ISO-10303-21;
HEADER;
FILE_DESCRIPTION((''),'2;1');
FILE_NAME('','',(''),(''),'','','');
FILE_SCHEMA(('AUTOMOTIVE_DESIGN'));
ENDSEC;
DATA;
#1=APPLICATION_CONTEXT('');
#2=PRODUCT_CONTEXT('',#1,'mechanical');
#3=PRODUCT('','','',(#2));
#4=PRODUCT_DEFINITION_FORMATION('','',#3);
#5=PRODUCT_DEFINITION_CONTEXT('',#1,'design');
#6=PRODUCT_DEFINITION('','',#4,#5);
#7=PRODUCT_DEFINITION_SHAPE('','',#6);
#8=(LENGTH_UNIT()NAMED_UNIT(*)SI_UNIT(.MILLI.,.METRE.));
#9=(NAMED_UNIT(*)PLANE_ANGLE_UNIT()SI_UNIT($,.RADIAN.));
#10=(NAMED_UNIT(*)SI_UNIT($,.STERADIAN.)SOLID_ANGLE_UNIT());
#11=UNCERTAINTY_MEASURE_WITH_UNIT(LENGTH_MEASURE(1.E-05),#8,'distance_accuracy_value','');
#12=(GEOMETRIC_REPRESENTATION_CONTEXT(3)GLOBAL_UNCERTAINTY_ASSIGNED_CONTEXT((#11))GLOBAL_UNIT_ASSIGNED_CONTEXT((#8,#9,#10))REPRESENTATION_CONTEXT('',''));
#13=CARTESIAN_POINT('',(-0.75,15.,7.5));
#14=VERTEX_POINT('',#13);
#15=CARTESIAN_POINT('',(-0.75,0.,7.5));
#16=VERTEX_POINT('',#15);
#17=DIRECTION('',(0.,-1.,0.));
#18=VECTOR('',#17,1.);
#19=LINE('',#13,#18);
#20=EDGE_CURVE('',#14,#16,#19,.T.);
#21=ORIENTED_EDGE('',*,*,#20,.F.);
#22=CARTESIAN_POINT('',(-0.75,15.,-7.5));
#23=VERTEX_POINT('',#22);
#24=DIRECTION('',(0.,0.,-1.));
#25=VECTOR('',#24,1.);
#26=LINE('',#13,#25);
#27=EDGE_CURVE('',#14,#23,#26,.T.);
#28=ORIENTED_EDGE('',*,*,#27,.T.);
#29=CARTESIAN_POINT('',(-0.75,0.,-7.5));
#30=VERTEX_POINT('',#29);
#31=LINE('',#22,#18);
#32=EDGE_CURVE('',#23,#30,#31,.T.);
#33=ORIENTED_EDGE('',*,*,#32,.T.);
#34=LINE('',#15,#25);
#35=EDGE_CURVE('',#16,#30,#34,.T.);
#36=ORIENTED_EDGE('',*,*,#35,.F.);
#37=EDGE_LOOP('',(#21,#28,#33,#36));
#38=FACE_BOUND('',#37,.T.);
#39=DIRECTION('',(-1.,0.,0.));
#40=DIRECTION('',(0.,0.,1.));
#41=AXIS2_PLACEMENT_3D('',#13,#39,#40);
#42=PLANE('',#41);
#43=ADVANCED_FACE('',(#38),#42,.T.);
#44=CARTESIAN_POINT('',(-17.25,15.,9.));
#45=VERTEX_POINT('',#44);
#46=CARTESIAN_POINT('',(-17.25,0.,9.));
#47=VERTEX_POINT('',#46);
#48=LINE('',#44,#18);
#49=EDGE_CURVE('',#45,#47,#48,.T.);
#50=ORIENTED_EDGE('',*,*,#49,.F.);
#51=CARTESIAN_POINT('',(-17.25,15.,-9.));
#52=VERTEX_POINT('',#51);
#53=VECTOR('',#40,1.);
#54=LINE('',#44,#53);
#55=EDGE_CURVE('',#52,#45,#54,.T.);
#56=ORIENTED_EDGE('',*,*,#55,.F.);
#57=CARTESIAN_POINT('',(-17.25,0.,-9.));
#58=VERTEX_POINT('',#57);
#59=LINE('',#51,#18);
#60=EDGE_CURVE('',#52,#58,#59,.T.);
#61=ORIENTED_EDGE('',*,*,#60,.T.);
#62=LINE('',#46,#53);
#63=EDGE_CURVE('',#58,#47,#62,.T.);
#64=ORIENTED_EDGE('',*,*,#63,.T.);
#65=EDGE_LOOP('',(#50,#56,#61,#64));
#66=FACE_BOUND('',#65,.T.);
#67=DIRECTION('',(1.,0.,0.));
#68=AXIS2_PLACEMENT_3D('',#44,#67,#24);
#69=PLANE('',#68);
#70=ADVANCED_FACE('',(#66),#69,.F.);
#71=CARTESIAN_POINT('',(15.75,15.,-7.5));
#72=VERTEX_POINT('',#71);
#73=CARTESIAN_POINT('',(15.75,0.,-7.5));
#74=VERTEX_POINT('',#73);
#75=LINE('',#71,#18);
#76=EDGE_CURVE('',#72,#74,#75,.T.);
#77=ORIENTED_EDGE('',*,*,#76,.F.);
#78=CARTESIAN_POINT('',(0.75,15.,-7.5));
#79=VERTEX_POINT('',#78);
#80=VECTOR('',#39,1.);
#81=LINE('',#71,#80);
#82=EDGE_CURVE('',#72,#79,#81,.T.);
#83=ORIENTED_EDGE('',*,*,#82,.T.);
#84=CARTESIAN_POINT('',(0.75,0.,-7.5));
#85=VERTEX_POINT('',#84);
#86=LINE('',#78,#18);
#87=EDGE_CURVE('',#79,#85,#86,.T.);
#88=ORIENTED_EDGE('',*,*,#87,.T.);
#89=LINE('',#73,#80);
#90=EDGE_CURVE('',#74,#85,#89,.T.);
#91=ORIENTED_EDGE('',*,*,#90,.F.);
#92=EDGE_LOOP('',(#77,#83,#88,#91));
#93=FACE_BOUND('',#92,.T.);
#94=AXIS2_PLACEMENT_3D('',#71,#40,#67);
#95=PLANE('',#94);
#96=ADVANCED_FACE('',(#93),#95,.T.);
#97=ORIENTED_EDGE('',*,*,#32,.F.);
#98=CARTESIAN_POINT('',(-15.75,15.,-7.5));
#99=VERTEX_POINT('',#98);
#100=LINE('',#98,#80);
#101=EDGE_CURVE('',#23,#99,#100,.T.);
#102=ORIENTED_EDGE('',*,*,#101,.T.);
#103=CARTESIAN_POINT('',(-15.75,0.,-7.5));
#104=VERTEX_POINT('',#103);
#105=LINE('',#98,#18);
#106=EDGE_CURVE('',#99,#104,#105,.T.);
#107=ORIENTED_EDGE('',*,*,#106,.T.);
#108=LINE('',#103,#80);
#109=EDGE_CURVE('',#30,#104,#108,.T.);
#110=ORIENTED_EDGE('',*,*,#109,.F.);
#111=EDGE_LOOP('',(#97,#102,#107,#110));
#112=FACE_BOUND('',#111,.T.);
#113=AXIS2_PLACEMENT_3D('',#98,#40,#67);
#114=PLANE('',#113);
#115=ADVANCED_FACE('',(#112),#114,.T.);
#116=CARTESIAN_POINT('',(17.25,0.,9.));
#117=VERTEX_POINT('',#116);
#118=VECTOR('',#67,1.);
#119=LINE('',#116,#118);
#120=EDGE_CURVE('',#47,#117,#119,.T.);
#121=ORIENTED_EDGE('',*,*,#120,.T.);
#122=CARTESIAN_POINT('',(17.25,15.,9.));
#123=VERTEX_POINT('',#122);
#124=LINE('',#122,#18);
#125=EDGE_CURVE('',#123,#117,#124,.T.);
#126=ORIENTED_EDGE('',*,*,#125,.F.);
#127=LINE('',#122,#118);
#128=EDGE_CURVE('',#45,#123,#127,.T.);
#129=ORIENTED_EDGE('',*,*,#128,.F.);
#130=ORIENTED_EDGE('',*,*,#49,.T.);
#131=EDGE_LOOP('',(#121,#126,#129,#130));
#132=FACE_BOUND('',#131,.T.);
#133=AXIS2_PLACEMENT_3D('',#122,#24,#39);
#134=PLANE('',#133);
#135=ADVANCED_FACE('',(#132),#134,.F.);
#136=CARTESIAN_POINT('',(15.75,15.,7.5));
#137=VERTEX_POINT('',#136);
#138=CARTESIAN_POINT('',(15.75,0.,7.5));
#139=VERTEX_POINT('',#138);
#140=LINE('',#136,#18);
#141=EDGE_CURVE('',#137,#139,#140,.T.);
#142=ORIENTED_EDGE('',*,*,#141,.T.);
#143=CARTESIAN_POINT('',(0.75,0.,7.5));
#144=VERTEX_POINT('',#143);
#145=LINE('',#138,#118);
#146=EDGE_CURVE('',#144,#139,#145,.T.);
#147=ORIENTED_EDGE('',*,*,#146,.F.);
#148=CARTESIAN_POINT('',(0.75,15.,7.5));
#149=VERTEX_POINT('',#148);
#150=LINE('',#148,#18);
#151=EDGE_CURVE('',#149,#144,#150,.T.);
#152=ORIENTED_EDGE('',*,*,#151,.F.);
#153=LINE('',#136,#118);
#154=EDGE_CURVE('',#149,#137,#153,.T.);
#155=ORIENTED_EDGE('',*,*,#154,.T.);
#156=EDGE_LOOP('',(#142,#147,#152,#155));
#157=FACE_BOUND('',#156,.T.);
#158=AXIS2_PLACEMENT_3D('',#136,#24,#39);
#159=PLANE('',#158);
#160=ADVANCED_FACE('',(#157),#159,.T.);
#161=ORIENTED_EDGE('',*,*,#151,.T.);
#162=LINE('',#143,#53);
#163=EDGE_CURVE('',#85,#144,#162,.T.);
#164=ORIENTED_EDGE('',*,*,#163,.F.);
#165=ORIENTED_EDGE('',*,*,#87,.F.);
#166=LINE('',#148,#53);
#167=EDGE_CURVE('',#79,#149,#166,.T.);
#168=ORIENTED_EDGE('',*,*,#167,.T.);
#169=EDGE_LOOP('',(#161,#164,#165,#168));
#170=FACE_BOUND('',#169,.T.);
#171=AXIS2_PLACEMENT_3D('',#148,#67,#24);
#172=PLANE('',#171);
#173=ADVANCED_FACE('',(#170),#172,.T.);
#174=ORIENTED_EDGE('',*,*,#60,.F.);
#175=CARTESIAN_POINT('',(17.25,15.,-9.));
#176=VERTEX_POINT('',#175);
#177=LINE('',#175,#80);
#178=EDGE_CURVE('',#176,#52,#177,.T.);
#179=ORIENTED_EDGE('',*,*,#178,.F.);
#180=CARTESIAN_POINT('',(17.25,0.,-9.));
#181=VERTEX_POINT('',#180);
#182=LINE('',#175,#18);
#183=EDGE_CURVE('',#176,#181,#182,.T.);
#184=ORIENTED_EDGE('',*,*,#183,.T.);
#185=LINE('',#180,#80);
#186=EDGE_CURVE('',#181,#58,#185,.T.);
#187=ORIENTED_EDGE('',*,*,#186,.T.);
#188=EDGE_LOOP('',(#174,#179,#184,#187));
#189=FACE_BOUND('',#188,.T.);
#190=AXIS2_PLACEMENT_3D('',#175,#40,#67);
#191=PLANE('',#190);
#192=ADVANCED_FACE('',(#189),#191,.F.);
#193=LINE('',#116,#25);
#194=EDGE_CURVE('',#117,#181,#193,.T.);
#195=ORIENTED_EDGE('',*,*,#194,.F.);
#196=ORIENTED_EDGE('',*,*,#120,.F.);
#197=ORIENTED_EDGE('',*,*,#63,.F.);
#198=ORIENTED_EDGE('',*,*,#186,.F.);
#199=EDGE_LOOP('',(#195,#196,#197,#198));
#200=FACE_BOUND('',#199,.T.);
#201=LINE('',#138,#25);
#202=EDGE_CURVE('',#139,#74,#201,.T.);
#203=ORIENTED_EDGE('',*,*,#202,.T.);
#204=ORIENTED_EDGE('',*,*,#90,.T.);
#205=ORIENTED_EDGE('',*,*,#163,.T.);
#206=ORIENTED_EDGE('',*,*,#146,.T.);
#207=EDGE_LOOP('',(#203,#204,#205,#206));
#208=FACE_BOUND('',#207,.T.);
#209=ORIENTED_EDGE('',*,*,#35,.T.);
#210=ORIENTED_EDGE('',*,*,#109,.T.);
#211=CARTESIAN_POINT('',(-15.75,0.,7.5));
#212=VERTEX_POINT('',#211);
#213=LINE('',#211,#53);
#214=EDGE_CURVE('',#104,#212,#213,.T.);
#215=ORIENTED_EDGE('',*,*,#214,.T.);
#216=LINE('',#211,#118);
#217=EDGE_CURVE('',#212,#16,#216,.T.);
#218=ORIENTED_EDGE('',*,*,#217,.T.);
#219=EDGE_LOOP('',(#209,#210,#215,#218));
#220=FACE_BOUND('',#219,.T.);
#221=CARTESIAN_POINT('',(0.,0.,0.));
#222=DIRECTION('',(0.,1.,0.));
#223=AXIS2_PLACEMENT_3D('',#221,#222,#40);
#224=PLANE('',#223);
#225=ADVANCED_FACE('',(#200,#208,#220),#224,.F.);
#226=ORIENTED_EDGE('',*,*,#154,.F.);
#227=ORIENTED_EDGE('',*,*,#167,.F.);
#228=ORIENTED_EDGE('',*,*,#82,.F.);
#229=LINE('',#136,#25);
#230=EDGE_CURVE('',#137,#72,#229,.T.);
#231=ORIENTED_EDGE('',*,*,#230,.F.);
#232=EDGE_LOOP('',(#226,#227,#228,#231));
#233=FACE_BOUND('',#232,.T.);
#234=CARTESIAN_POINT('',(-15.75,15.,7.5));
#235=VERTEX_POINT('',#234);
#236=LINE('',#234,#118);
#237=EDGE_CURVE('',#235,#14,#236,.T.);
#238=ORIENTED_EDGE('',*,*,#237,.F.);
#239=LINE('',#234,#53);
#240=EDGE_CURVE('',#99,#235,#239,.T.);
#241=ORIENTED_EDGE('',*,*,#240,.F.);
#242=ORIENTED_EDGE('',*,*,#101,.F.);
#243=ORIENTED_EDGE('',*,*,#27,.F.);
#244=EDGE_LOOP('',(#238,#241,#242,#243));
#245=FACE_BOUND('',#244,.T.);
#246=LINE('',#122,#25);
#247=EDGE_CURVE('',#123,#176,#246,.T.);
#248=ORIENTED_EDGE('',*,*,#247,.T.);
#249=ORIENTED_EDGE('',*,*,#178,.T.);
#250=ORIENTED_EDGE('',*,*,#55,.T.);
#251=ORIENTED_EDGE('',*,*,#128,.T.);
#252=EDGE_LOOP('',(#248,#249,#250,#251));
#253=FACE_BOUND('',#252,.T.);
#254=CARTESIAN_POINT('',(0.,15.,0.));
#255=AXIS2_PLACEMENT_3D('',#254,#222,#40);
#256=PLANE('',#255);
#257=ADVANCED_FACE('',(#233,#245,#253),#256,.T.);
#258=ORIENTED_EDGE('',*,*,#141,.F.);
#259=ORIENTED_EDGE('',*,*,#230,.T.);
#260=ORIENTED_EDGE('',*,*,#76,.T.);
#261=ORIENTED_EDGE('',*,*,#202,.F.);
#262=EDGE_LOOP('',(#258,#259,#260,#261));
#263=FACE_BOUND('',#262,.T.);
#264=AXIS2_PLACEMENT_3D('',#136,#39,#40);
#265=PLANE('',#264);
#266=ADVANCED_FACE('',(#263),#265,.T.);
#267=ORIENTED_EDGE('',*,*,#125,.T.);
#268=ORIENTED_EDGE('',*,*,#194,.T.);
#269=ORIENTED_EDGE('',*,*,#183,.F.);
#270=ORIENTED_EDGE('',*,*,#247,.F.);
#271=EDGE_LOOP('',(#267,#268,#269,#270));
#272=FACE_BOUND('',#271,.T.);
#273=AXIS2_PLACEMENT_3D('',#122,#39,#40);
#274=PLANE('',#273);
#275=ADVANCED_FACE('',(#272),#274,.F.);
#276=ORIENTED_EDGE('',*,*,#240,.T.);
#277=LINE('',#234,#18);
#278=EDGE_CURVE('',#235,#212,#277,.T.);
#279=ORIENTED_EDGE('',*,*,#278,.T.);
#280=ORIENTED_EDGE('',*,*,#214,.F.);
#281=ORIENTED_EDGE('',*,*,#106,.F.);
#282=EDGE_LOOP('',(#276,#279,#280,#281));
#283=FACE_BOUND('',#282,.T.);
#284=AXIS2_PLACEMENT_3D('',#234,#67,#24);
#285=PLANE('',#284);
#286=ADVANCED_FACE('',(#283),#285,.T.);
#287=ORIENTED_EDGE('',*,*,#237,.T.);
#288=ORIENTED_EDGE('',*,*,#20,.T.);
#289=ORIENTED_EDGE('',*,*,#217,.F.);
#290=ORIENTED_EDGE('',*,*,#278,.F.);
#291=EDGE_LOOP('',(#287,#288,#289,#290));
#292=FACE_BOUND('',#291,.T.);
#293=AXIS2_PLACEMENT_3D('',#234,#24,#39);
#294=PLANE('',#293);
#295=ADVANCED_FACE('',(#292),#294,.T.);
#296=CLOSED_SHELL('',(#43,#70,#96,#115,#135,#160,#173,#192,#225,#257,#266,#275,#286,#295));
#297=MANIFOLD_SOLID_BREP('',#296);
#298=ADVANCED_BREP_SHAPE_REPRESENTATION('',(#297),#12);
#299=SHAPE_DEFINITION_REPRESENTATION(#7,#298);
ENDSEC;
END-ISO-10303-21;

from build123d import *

# Parameters (mm, degrees)
SKETCH1_W           = 34.5
SKETCH1_H           = 18
SKETCH1_W_2         = 15
SKETCH1_H_2         = 15
BOSS_EXTRUDE1_DEPTH = 15


with BuildPart() as part:
    # Sketch1 → Boss-Extrude1 (new body)
    with BuildSketch(Plane(origin=(0, 0, 0), x_dir=(1, 0, 0), z_dir=(0, 1, 0))):
        Rectangle(SKETCH1_W, SKETCH1_H)
        with Locations((-8.25, 0)):
            Rectangle(SKETCH1_W_2, SKETCH1_H_2, mode=Mode.SUBTRACT)
        with Locations((8.25, 0)):
            Rectangle(SKETCH1_W_2, SKETCH1_H_2, mode=Mode.SUBTRACT)
    extrude(amount=BOSS_EXTRUDE1_DEPTH)


solid = part.part
